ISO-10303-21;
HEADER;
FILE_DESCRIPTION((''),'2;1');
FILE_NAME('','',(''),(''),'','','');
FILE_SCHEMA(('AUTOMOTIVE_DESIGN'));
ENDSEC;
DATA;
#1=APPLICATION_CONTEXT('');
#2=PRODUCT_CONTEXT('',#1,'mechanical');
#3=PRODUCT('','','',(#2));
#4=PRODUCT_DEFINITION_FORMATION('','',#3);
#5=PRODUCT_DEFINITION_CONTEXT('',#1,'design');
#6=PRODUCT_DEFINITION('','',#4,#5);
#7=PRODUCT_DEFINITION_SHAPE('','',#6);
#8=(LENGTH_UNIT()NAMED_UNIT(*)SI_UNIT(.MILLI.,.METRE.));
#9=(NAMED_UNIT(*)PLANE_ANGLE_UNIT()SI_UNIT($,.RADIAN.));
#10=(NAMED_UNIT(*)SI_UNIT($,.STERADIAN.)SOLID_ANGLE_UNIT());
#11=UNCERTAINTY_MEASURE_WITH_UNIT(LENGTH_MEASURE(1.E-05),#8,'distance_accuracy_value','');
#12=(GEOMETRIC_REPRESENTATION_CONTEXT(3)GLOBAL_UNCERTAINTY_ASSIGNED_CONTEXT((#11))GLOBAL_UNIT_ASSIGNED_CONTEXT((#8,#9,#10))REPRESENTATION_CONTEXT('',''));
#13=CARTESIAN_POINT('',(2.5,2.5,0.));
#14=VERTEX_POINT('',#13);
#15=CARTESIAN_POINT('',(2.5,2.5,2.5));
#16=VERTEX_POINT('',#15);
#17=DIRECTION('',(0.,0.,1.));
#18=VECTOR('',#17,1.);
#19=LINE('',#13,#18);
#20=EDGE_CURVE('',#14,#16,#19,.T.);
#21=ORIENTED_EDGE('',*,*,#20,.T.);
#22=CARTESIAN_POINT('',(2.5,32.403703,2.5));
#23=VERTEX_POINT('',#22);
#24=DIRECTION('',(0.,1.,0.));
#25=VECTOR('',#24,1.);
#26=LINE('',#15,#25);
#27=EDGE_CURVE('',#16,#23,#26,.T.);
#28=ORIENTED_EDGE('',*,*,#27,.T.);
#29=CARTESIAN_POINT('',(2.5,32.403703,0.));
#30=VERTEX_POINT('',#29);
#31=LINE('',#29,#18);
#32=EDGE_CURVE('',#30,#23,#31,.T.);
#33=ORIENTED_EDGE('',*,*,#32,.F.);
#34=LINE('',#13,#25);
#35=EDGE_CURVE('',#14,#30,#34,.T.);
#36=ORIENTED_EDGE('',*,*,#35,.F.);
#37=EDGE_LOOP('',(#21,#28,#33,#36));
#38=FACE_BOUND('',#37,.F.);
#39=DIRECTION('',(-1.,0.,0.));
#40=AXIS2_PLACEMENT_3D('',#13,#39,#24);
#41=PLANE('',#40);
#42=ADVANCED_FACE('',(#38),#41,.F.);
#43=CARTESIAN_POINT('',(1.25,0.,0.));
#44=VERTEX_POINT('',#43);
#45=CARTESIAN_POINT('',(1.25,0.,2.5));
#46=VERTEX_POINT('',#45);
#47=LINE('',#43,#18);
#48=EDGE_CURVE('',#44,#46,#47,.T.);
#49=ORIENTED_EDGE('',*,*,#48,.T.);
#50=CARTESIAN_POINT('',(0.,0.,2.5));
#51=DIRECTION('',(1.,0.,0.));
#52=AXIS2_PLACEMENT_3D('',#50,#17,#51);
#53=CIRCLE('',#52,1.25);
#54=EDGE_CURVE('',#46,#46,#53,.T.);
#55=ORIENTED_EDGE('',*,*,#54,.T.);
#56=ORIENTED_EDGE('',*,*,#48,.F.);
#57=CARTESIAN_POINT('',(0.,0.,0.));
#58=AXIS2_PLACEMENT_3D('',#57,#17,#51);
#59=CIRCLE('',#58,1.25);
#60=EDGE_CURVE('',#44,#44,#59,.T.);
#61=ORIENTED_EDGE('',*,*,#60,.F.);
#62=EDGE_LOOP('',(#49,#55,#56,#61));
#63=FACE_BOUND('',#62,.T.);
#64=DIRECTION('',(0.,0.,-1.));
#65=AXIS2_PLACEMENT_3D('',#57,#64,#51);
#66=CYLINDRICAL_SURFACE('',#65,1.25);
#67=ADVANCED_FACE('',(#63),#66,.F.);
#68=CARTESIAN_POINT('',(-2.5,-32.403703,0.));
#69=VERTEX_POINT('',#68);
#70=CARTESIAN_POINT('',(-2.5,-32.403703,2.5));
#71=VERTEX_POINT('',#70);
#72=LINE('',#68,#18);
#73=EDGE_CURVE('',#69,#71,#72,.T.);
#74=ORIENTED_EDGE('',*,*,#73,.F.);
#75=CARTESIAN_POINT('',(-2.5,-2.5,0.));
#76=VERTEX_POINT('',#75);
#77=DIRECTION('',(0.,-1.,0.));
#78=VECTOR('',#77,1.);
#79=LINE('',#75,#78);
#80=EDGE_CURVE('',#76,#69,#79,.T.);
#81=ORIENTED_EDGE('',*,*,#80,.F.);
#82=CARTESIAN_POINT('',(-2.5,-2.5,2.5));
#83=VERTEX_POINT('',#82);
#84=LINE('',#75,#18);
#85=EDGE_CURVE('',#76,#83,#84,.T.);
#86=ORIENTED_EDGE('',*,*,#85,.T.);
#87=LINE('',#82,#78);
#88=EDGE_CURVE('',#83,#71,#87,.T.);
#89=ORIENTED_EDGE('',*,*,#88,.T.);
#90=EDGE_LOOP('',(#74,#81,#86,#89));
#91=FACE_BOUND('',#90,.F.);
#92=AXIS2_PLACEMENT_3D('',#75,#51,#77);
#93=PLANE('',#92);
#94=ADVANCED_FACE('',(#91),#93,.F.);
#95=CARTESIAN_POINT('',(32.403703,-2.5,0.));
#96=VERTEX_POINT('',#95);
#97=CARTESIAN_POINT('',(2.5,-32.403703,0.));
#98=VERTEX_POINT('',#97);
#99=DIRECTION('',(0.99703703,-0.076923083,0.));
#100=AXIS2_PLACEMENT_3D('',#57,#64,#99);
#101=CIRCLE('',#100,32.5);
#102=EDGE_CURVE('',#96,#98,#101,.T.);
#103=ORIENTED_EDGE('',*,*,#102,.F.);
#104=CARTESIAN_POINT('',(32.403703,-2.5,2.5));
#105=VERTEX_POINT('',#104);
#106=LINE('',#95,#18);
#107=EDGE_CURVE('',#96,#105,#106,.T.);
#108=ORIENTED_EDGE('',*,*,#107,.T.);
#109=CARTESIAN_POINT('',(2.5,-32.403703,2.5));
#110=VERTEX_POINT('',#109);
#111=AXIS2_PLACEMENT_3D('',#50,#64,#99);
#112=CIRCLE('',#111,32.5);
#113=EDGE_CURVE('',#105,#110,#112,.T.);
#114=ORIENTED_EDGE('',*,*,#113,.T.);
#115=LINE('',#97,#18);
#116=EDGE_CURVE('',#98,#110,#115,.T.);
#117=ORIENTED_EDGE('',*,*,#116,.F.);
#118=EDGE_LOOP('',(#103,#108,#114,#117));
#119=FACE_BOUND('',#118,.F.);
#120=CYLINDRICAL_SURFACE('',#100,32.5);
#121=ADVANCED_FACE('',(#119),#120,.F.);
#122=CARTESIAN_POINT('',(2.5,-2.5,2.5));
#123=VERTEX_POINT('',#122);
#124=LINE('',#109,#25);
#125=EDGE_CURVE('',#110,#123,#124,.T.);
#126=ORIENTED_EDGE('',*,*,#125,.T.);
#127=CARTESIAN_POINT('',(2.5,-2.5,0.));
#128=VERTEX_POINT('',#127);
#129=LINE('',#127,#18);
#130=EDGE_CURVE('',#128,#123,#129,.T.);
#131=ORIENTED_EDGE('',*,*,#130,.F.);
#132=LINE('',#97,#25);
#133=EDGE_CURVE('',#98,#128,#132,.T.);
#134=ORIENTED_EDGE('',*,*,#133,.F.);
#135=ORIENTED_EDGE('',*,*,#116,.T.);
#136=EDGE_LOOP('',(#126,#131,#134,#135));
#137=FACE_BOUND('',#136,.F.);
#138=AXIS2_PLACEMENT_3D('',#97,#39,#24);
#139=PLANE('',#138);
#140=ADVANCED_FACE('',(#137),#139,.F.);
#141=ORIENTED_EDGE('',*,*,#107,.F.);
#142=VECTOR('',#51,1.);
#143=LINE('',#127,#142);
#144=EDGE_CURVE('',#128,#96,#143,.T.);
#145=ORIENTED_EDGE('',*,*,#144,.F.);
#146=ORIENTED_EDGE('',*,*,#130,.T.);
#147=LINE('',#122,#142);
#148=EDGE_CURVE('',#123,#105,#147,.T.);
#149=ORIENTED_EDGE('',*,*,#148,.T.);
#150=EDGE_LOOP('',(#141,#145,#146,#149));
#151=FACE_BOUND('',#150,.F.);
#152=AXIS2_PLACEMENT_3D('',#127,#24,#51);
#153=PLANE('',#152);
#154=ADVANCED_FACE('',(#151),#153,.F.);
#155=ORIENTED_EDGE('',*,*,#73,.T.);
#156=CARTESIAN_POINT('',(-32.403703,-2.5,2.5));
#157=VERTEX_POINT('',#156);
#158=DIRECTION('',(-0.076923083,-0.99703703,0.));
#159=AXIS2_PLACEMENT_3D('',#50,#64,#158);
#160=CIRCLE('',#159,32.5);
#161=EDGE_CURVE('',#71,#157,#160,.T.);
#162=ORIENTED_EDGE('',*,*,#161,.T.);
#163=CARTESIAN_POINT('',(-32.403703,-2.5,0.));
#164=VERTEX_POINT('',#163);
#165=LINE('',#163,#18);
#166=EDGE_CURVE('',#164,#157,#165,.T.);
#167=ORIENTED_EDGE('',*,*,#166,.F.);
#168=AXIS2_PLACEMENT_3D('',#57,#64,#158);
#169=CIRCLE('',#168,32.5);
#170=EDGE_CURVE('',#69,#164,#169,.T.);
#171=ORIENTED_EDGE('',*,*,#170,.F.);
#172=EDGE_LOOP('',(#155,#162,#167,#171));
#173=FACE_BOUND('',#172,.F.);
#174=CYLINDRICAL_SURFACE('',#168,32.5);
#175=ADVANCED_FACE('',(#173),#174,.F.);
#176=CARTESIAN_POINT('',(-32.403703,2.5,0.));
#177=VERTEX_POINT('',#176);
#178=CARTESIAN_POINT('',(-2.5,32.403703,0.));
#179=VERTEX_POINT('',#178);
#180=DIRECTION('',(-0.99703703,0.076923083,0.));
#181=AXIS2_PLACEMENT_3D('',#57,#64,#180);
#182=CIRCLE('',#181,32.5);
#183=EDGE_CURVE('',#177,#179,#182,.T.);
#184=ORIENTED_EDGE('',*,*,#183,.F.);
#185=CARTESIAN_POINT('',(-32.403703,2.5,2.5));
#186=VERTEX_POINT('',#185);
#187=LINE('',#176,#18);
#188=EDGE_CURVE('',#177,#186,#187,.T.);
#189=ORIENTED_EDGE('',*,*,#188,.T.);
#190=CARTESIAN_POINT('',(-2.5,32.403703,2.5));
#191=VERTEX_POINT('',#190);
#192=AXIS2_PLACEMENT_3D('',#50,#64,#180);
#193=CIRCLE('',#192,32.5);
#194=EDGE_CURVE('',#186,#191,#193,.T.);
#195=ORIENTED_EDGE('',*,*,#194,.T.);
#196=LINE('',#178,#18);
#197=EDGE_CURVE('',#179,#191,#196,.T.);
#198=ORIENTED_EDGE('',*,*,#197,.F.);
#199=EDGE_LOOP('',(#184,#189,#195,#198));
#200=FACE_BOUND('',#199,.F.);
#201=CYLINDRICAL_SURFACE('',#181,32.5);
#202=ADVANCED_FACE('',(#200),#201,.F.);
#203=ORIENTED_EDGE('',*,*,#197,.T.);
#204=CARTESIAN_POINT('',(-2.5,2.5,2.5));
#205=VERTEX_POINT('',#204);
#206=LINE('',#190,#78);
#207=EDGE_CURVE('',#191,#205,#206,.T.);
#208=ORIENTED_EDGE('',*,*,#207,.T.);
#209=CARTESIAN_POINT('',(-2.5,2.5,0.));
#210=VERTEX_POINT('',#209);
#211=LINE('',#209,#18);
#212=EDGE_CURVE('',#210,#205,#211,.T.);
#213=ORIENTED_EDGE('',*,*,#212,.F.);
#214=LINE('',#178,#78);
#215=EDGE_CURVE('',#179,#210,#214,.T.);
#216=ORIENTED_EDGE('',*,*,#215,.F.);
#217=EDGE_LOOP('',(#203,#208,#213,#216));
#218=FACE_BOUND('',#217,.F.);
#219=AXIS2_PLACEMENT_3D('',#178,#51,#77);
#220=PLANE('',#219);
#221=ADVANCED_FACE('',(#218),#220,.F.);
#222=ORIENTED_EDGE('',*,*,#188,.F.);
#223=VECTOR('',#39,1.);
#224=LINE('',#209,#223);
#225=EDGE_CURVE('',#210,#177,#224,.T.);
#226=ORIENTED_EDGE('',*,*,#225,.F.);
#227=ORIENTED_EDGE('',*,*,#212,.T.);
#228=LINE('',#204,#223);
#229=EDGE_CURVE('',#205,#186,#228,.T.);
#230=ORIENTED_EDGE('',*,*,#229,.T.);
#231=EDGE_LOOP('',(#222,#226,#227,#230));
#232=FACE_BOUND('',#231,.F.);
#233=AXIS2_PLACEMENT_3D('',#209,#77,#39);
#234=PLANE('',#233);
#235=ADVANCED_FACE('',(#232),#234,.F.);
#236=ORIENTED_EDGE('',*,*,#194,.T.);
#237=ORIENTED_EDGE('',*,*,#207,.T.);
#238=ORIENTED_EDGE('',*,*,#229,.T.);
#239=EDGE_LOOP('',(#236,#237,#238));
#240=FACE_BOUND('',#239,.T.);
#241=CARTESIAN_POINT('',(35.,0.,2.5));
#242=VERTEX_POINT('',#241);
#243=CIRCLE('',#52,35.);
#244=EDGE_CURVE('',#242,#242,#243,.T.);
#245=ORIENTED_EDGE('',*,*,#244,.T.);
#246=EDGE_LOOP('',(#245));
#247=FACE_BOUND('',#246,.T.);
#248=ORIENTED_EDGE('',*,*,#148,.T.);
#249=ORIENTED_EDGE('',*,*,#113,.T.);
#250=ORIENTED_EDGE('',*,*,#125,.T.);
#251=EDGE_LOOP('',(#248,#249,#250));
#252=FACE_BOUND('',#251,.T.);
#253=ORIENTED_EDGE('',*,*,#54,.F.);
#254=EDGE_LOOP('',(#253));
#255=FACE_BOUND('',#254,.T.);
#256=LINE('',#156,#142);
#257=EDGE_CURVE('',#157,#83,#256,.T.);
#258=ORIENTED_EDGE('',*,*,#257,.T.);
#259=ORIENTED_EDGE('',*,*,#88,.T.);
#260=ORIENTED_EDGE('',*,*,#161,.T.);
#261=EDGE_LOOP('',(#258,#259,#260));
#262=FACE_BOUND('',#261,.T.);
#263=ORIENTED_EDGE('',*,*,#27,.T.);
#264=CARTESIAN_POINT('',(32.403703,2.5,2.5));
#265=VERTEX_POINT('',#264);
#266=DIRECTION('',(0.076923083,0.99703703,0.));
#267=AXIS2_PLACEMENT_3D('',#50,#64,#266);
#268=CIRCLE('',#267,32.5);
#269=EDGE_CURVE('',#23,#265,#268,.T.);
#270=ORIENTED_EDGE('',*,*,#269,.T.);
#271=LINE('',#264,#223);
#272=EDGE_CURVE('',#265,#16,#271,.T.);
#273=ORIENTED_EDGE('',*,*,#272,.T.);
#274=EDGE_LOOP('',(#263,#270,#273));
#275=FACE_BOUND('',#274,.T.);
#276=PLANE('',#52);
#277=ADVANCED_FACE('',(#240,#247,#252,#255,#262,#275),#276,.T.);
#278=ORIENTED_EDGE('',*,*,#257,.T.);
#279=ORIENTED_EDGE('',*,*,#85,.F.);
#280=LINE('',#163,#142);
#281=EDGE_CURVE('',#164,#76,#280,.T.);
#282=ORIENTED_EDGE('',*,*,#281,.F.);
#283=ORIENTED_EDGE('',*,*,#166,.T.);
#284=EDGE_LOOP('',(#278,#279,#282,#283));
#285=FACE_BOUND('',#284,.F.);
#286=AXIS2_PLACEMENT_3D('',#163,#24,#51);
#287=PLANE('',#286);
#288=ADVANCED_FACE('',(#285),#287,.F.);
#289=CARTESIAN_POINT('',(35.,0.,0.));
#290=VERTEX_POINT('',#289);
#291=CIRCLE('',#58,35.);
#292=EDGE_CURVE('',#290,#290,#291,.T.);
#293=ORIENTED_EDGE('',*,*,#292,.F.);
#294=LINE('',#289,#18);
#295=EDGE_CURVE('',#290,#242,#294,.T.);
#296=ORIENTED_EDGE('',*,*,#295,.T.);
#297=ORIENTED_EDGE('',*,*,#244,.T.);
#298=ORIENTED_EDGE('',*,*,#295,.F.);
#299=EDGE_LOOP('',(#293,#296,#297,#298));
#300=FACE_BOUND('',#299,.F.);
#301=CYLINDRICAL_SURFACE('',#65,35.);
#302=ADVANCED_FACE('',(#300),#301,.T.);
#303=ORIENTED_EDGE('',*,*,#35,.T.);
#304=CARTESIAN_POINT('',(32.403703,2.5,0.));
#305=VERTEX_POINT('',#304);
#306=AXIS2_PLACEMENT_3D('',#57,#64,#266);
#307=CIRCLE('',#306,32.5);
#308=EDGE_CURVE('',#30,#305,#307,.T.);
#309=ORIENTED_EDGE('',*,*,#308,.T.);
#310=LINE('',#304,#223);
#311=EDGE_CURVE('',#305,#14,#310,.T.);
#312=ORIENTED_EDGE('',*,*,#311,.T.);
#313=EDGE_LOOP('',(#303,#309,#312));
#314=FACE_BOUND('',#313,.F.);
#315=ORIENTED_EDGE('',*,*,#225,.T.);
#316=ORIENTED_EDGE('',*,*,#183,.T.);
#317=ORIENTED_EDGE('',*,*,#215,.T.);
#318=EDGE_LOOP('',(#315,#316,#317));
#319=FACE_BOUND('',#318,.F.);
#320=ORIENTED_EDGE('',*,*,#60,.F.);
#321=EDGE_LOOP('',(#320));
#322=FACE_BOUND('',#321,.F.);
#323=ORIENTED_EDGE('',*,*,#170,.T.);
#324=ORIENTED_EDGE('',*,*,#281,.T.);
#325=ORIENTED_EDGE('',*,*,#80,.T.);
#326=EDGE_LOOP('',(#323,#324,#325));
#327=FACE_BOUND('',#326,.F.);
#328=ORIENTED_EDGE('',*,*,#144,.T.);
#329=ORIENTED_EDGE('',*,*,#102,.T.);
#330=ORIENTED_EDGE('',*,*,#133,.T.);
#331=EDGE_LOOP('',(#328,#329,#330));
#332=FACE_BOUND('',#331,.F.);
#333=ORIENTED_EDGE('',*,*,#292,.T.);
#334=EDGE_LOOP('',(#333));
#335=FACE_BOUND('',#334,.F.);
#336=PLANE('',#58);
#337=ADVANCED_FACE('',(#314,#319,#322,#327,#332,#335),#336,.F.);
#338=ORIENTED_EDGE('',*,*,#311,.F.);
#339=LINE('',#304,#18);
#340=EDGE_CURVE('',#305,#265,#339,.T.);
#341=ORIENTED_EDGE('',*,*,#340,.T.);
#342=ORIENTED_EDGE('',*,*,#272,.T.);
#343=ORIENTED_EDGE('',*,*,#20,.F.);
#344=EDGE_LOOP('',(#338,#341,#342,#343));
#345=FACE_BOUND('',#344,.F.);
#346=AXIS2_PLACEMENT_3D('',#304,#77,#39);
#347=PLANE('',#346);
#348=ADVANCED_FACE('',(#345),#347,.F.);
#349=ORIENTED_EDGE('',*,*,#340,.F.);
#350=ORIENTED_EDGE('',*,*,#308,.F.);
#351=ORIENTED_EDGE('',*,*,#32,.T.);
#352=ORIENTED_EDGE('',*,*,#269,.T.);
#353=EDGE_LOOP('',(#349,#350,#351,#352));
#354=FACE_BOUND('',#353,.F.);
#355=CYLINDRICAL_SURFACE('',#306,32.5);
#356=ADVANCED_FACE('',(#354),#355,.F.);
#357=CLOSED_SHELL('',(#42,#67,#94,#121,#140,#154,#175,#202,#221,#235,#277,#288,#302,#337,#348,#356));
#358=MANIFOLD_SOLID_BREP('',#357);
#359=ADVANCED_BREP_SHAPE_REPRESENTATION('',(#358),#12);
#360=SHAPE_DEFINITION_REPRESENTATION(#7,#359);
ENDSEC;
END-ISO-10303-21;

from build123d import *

# Parameters (mm, degrees)
F0_R     = 35
F0_R_2   = 1.25
F1_DEPTH = 2.5


with BuildPart() as f1:
    # F0 (on Top) → F1 (new body)
    with BuildSketch(Plane.XY):
        Circle(F0_R)
        with BuildLine():
            ThreePointArc((-2.5, -32.403703), (-22.98097, -22.98097), (-32.403703, -2.5))
            Line((-32.403703, -2.5), (-2.5, -2.5))
            Line((-2.5, -2.5), (-2.5, -32.403703))
        make_face(mode=Mode.SUBTRACT)
        with BuildLine():
            Line((2.5, -2.5), (32.403703, -2.5))
            ThreePointArc((32.403703, -2.5), (22.98097, -22.98097), (2.5, -32.403703))
            Line((2.5, -32.403703), (2.5, -2.5))
        make_face(mode=Mode.SUBTRACT)
        with BuildLine():
            ThreePointArc((-32.403703, 2.5), (-22.98097, 22.98097), (-2.5, 32.403703))
            Line((-2.5, 32.403703), (-2.5, 2.5))
            Line((-2.5, 2.5), (-32.403703, 2.5))
        make_face(mode=Mode.SUBTRACT)
        Circle(F0_R_2, mode=Mode.SUBTRACT)
        with BuildLine():
            ThreePointArc((2.5, 32.403703), (22.98097, 22.98097), (32.403703, 2.5))
            Line((32.403703, 2.5), (2.5, 2.5))
            Line((2.5, 2.5), (2.5, 32.403703))
        make_face(mode=Mode.SUBTRACT)
    extrude(amount=F1_DEPTH)


solid = f1.part
